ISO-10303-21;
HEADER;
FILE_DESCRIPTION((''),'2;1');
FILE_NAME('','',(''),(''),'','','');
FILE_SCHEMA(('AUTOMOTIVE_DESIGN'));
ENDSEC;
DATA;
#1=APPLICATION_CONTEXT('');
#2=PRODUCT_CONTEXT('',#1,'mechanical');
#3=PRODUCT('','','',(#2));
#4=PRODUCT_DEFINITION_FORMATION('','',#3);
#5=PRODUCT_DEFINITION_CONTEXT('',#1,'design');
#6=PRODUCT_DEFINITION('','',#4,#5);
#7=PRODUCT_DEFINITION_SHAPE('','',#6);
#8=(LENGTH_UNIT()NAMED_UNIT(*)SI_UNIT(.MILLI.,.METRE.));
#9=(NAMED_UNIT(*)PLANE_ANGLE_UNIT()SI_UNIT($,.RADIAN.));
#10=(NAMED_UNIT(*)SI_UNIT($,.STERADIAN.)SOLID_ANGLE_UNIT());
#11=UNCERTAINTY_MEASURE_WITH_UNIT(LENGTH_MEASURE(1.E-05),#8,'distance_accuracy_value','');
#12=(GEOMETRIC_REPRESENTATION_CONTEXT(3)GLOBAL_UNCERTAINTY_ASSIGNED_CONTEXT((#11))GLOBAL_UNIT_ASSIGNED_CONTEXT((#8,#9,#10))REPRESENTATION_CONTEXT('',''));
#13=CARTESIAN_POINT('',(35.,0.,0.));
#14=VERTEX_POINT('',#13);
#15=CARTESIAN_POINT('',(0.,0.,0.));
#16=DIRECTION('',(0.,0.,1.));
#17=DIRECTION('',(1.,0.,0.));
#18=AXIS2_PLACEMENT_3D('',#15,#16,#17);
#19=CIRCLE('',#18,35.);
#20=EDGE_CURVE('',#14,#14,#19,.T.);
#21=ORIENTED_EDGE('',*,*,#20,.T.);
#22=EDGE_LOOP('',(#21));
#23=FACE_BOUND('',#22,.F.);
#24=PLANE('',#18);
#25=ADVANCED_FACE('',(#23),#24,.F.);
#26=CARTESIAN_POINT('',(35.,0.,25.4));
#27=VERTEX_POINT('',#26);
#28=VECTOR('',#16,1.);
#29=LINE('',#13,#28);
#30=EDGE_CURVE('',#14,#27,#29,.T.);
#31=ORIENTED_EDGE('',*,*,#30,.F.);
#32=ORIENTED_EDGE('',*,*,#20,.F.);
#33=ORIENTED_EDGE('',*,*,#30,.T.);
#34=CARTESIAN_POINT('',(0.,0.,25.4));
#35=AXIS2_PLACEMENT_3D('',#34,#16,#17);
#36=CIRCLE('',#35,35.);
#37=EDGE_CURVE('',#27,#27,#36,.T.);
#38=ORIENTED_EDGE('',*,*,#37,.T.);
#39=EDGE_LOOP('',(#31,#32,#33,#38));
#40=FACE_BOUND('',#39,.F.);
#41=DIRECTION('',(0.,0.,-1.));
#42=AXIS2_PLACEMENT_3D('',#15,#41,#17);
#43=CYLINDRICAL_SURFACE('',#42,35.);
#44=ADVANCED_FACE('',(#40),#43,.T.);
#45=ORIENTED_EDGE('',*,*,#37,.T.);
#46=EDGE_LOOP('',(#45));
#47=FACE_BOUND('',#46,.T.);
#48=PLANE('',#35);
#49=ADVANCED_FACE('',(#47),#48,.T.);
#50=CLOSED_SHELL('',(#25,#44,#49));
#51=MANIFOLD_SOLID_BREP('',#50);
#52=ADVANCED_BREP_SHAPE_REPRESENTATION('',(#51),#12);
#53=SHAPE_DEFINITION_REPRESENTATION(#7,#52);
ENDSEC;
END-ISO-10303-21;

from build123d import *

# Parameters (mm, degrees)
F0_R      = 35
F1_DEPTH  = 25.4
F1_FACE_R = 35
F2_DEPTH  = 8
F3_DEPTH  = 10


with BuildPart() as f1:
    # F0 (on Top) → F1 (new body)
    with BuildSketch(Plane.XY):
        Circle(F0_R)
    extrude(amount=F1_DEPTH)

    # F1_face (on face) → F2 (join)
    with BuildSketch(Plane.XY.offset(25.4)):
        Circle(F1_FACE_R)
    extrude(amount=-F2_DEPTH)

    # F1_face (on face) → F3 (join)
    with BuildSketch(Plane.XY.offset(25.4)):
        Circle(F1_FACE_R)
    extrude(amount=-F3_DEPTH)


solid = f1.part
